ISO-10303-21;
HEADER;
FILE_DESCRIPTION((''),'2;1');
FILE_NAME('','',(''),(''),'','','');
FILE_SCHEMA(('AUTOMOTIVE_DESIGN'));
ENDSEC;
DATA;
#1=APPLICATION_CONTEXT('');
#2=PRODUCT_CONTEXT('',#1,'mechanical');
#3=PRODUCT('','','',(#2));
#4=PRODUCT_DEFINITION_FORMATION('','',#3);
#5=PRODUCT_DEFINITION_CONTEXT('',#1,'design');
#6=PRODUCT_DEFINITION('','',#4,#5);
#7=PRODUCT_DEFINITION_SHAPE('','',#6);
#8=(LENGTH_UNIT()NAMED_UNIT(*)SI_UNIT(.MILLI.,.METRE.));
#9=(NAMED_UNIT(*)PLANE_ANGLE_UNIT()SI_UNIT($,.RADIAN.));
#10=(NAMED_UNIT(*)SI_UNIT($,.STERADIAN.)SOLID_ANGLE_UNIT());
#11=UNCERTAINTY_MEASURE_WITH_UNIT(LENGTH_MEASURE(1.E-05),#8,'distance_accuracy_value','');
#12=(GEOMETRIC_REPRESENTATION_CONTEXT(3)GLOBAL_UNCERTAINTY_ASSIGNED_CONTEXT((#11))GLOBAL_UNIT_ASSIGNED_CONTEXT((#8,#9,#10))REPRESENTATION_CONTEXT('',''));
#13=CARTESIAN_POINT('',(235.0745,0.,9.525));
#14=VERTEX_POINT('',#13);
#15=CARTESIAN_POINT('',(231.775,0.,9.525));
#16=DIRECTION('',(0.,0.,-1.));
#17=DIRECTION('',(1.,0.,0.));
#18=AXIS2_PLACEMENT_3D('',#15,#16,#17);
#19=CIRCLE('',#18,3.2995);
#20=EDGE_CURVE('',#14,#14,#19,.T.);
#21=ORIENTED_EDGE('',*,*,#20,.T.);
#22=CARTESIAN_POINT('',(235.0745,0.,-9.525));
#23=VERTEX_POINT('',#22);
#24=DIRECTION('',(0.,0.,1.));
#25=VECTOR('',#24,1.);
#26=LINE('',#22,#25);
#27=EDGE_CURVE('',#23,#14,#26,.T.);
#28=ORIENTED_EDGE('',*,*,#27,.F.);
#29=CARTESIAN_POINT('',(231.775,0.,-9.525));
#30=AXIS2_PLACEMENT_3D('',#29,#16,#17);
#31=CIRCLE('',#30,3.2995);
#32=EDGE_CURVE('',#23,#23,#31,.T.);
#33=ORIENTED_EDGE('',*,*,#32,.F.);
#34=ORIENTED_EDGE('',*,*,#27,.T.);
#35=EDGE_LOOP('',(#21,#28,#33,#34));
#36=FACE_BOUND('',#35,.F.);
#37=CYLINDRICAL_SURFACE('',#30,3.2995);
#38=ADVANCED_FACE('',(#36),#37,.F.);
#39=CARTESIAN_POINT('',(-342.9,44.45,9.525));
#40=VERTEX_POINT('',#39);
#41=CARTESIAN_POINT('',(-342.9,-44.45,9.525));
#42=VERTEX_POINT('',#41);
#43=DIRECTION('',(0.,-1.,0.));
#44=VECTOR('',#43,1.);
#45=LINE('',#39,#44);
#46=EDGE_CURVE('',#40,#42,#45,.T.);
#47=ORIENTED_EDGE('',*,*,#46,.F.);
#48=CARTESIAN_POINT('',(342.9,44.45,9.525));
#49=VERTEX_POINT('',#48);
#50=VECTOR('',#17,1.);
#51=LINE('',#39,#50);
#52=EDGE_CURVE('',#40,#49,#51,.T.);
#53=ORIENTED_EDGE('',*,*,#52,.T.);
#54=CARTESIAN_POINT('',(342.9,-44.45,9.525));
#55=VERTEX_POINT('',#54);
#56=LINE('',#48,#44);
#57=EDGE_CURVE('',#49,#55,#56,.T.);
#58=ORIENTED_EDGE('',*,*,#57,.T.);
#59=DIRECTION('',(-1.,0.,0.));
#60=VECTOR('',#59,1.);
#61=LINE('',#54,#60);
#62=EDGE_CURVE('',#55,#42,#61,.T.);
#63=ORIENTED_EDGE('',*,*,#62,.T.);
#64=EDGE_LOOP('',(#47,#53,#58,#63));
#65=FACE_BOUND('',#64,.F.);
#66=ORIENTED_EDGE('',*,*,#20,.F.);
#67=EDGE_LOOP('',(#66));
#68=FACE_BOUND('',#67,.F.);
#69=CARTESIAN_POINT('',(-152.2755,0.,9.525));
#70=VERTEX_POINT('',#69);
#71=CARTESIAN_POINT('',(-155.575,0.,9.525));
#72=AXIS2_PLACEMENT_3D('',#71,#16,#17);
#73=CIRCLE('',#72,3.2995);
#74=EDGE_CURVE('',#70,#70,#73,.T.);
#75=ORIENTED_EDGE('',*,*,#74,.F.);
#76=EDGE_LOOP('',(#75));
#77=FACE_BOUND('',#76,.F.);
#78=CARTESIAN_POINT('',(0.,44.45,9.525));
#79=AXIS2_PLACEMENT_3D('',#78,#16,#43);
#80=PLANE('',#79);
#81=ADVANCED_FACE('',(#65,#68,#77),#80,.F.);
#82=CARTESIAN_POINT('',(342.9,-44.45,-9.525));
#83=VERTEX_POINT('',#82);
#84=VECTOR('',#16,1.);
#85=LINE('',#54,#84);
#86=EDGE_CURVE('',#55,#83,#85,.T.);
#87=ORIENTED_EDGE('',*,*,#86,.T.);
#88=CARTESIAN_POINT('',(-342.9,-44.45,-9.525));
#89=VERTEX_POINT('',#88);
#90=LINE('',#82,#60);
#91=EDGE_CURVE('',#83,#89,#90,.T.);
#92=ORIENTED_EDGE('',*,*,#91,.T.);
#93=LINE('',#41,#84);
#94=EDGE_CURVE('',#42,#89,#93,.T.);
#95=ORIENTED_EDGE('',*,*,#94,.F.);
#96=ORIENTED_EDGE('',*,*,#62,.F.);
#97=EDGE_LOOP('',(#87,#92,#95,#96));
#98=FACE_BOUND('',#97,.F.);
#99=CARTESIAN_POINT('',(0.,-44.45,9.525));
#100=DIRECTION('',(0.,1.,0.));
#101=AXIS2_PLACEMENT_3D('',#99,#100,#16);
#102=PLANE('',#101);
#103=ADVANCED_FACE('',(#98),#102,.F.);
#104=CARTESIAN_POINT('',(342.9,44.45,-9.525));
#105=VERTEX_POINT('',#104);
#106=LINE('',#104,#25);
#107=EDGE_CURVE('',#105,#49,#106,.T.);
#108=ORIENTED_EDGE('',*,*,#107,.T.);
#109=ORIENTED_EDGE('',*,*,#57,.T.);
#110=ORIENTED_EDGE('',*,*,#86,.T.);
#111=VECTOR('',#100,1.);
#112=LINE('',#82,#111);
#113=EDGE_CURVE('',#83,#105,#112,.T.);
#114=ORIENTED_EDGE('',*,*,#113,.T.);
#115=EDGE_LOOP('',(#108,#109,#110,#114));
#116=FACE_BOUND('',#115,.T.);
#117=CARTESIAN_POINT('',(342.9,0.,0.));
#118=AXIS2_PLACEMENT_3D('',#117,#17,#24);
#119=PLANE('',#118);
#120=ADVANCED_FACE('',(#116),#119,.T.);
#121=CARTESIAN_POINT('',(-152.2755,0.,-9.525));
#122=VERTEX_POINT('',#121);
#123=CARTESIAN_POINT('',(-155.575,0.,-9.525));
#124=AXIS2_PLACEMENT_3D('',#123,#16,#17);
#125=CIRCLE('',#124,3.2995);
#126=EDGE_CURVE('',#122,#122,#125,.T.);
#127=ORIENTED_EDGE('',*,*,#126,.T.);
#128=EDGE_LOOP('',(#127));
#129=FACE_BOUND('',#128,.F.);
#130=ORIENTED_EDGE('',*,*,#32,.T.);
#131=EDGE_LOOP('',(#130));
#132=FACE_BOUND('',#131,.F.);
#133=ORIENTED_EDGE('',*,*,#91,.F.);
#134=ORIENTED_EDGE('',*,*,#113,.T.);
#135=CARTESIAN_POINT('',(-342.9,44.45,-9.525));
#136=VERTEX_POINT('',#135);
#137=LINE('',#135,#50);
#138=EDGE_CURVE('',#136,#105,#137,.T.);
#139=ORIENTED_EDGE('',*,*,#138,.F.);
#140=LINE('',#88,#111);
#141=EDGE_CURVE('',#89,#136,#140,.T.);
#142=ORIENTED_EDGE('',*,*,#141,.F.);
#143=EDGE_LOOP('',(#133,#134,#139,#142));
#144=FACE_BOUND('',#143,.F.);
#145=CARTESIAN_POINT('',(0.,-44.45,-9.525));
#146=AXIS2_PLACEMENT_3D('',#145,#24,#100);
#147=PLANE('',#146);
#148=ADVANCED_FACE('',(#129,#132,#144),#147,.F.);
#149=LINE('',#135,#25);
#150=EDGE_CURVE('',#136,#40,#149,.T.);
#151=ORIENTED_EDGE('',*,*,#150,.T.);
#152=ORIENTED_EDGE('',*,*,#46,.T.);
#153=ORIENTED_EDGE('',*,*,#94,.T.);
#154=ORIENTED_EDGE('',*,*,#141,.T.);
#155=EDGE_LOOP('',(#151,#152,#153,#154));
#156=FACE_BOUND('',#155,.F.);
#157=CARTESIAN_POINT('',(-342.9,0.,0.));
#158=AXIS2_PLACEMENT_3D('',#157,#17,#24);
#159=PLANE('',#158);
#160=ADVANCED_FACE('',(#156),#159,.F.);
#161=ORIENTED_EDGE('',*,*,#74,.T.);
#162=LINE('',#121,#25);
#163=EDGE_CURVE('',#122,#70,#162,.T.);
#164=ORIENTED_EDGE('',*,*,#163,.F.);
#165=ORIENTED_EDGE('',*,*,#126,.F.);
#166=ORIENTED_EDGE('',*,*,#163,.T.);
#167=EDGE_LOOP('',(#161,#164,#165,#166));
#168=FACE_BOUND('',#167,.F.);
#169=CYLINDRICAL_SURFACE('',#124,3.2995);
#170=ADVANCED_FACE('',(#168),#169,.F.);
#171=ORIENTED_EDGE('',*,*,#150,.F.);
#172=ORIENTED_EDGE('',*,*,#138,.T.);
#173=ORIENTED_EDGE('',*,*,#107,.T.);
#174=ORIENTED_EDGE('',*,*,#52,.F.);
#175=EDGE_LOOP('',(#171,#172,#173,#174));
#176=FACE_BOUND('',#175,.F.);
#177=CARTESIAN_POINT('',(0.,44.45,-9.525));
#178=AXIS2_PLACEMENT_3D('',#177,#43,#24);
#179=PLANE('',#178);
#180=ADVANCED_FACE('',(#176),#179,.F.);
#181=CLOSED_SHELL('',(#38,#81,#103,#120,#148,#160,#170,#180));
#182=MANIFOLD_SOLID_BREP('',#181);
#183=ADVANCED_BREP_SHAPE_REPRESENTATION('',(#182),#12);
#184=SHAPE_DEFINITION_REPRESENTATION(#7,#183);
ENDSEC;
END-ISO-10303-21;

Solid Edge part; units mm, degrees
sketch "Sketch1" plane through (0, 0, 0) normal (1, 0, 0) x (0, 1, 0)
  line L0 (-44.45, -9.525) -> (44.45, -9.525)
  line L1 (44.45, -9.525) -> (44.45, 9.525)
  line L2 (44.45, 9.525) -> (-44.45, 9.525)
  line L3 (-44.45, 9.525) -> (-44.45, -9.525)
  dimension "D1" = 88.9
  dimension "D2" = 19.05
extrude "Protrusion1" add sketch "Sketch1" along normal mid plane 685.8
sketch "Sketch2" plane through (0, 0, -9.525) normal (0, 0, -1) x (1, 0, 0)
  circle A0 centre (231.775, 0) radius 3.2995
  circle A1 centre (-155.575, 0) radius 3.2995
  dimension "D1" = 6.5989
  dimension "D2" = 111.125
  dimension "D3" = 498.475
extrude "Cutout1" cut sketch "Sketch2" against normal through all
properties material "Wood, Pine"
